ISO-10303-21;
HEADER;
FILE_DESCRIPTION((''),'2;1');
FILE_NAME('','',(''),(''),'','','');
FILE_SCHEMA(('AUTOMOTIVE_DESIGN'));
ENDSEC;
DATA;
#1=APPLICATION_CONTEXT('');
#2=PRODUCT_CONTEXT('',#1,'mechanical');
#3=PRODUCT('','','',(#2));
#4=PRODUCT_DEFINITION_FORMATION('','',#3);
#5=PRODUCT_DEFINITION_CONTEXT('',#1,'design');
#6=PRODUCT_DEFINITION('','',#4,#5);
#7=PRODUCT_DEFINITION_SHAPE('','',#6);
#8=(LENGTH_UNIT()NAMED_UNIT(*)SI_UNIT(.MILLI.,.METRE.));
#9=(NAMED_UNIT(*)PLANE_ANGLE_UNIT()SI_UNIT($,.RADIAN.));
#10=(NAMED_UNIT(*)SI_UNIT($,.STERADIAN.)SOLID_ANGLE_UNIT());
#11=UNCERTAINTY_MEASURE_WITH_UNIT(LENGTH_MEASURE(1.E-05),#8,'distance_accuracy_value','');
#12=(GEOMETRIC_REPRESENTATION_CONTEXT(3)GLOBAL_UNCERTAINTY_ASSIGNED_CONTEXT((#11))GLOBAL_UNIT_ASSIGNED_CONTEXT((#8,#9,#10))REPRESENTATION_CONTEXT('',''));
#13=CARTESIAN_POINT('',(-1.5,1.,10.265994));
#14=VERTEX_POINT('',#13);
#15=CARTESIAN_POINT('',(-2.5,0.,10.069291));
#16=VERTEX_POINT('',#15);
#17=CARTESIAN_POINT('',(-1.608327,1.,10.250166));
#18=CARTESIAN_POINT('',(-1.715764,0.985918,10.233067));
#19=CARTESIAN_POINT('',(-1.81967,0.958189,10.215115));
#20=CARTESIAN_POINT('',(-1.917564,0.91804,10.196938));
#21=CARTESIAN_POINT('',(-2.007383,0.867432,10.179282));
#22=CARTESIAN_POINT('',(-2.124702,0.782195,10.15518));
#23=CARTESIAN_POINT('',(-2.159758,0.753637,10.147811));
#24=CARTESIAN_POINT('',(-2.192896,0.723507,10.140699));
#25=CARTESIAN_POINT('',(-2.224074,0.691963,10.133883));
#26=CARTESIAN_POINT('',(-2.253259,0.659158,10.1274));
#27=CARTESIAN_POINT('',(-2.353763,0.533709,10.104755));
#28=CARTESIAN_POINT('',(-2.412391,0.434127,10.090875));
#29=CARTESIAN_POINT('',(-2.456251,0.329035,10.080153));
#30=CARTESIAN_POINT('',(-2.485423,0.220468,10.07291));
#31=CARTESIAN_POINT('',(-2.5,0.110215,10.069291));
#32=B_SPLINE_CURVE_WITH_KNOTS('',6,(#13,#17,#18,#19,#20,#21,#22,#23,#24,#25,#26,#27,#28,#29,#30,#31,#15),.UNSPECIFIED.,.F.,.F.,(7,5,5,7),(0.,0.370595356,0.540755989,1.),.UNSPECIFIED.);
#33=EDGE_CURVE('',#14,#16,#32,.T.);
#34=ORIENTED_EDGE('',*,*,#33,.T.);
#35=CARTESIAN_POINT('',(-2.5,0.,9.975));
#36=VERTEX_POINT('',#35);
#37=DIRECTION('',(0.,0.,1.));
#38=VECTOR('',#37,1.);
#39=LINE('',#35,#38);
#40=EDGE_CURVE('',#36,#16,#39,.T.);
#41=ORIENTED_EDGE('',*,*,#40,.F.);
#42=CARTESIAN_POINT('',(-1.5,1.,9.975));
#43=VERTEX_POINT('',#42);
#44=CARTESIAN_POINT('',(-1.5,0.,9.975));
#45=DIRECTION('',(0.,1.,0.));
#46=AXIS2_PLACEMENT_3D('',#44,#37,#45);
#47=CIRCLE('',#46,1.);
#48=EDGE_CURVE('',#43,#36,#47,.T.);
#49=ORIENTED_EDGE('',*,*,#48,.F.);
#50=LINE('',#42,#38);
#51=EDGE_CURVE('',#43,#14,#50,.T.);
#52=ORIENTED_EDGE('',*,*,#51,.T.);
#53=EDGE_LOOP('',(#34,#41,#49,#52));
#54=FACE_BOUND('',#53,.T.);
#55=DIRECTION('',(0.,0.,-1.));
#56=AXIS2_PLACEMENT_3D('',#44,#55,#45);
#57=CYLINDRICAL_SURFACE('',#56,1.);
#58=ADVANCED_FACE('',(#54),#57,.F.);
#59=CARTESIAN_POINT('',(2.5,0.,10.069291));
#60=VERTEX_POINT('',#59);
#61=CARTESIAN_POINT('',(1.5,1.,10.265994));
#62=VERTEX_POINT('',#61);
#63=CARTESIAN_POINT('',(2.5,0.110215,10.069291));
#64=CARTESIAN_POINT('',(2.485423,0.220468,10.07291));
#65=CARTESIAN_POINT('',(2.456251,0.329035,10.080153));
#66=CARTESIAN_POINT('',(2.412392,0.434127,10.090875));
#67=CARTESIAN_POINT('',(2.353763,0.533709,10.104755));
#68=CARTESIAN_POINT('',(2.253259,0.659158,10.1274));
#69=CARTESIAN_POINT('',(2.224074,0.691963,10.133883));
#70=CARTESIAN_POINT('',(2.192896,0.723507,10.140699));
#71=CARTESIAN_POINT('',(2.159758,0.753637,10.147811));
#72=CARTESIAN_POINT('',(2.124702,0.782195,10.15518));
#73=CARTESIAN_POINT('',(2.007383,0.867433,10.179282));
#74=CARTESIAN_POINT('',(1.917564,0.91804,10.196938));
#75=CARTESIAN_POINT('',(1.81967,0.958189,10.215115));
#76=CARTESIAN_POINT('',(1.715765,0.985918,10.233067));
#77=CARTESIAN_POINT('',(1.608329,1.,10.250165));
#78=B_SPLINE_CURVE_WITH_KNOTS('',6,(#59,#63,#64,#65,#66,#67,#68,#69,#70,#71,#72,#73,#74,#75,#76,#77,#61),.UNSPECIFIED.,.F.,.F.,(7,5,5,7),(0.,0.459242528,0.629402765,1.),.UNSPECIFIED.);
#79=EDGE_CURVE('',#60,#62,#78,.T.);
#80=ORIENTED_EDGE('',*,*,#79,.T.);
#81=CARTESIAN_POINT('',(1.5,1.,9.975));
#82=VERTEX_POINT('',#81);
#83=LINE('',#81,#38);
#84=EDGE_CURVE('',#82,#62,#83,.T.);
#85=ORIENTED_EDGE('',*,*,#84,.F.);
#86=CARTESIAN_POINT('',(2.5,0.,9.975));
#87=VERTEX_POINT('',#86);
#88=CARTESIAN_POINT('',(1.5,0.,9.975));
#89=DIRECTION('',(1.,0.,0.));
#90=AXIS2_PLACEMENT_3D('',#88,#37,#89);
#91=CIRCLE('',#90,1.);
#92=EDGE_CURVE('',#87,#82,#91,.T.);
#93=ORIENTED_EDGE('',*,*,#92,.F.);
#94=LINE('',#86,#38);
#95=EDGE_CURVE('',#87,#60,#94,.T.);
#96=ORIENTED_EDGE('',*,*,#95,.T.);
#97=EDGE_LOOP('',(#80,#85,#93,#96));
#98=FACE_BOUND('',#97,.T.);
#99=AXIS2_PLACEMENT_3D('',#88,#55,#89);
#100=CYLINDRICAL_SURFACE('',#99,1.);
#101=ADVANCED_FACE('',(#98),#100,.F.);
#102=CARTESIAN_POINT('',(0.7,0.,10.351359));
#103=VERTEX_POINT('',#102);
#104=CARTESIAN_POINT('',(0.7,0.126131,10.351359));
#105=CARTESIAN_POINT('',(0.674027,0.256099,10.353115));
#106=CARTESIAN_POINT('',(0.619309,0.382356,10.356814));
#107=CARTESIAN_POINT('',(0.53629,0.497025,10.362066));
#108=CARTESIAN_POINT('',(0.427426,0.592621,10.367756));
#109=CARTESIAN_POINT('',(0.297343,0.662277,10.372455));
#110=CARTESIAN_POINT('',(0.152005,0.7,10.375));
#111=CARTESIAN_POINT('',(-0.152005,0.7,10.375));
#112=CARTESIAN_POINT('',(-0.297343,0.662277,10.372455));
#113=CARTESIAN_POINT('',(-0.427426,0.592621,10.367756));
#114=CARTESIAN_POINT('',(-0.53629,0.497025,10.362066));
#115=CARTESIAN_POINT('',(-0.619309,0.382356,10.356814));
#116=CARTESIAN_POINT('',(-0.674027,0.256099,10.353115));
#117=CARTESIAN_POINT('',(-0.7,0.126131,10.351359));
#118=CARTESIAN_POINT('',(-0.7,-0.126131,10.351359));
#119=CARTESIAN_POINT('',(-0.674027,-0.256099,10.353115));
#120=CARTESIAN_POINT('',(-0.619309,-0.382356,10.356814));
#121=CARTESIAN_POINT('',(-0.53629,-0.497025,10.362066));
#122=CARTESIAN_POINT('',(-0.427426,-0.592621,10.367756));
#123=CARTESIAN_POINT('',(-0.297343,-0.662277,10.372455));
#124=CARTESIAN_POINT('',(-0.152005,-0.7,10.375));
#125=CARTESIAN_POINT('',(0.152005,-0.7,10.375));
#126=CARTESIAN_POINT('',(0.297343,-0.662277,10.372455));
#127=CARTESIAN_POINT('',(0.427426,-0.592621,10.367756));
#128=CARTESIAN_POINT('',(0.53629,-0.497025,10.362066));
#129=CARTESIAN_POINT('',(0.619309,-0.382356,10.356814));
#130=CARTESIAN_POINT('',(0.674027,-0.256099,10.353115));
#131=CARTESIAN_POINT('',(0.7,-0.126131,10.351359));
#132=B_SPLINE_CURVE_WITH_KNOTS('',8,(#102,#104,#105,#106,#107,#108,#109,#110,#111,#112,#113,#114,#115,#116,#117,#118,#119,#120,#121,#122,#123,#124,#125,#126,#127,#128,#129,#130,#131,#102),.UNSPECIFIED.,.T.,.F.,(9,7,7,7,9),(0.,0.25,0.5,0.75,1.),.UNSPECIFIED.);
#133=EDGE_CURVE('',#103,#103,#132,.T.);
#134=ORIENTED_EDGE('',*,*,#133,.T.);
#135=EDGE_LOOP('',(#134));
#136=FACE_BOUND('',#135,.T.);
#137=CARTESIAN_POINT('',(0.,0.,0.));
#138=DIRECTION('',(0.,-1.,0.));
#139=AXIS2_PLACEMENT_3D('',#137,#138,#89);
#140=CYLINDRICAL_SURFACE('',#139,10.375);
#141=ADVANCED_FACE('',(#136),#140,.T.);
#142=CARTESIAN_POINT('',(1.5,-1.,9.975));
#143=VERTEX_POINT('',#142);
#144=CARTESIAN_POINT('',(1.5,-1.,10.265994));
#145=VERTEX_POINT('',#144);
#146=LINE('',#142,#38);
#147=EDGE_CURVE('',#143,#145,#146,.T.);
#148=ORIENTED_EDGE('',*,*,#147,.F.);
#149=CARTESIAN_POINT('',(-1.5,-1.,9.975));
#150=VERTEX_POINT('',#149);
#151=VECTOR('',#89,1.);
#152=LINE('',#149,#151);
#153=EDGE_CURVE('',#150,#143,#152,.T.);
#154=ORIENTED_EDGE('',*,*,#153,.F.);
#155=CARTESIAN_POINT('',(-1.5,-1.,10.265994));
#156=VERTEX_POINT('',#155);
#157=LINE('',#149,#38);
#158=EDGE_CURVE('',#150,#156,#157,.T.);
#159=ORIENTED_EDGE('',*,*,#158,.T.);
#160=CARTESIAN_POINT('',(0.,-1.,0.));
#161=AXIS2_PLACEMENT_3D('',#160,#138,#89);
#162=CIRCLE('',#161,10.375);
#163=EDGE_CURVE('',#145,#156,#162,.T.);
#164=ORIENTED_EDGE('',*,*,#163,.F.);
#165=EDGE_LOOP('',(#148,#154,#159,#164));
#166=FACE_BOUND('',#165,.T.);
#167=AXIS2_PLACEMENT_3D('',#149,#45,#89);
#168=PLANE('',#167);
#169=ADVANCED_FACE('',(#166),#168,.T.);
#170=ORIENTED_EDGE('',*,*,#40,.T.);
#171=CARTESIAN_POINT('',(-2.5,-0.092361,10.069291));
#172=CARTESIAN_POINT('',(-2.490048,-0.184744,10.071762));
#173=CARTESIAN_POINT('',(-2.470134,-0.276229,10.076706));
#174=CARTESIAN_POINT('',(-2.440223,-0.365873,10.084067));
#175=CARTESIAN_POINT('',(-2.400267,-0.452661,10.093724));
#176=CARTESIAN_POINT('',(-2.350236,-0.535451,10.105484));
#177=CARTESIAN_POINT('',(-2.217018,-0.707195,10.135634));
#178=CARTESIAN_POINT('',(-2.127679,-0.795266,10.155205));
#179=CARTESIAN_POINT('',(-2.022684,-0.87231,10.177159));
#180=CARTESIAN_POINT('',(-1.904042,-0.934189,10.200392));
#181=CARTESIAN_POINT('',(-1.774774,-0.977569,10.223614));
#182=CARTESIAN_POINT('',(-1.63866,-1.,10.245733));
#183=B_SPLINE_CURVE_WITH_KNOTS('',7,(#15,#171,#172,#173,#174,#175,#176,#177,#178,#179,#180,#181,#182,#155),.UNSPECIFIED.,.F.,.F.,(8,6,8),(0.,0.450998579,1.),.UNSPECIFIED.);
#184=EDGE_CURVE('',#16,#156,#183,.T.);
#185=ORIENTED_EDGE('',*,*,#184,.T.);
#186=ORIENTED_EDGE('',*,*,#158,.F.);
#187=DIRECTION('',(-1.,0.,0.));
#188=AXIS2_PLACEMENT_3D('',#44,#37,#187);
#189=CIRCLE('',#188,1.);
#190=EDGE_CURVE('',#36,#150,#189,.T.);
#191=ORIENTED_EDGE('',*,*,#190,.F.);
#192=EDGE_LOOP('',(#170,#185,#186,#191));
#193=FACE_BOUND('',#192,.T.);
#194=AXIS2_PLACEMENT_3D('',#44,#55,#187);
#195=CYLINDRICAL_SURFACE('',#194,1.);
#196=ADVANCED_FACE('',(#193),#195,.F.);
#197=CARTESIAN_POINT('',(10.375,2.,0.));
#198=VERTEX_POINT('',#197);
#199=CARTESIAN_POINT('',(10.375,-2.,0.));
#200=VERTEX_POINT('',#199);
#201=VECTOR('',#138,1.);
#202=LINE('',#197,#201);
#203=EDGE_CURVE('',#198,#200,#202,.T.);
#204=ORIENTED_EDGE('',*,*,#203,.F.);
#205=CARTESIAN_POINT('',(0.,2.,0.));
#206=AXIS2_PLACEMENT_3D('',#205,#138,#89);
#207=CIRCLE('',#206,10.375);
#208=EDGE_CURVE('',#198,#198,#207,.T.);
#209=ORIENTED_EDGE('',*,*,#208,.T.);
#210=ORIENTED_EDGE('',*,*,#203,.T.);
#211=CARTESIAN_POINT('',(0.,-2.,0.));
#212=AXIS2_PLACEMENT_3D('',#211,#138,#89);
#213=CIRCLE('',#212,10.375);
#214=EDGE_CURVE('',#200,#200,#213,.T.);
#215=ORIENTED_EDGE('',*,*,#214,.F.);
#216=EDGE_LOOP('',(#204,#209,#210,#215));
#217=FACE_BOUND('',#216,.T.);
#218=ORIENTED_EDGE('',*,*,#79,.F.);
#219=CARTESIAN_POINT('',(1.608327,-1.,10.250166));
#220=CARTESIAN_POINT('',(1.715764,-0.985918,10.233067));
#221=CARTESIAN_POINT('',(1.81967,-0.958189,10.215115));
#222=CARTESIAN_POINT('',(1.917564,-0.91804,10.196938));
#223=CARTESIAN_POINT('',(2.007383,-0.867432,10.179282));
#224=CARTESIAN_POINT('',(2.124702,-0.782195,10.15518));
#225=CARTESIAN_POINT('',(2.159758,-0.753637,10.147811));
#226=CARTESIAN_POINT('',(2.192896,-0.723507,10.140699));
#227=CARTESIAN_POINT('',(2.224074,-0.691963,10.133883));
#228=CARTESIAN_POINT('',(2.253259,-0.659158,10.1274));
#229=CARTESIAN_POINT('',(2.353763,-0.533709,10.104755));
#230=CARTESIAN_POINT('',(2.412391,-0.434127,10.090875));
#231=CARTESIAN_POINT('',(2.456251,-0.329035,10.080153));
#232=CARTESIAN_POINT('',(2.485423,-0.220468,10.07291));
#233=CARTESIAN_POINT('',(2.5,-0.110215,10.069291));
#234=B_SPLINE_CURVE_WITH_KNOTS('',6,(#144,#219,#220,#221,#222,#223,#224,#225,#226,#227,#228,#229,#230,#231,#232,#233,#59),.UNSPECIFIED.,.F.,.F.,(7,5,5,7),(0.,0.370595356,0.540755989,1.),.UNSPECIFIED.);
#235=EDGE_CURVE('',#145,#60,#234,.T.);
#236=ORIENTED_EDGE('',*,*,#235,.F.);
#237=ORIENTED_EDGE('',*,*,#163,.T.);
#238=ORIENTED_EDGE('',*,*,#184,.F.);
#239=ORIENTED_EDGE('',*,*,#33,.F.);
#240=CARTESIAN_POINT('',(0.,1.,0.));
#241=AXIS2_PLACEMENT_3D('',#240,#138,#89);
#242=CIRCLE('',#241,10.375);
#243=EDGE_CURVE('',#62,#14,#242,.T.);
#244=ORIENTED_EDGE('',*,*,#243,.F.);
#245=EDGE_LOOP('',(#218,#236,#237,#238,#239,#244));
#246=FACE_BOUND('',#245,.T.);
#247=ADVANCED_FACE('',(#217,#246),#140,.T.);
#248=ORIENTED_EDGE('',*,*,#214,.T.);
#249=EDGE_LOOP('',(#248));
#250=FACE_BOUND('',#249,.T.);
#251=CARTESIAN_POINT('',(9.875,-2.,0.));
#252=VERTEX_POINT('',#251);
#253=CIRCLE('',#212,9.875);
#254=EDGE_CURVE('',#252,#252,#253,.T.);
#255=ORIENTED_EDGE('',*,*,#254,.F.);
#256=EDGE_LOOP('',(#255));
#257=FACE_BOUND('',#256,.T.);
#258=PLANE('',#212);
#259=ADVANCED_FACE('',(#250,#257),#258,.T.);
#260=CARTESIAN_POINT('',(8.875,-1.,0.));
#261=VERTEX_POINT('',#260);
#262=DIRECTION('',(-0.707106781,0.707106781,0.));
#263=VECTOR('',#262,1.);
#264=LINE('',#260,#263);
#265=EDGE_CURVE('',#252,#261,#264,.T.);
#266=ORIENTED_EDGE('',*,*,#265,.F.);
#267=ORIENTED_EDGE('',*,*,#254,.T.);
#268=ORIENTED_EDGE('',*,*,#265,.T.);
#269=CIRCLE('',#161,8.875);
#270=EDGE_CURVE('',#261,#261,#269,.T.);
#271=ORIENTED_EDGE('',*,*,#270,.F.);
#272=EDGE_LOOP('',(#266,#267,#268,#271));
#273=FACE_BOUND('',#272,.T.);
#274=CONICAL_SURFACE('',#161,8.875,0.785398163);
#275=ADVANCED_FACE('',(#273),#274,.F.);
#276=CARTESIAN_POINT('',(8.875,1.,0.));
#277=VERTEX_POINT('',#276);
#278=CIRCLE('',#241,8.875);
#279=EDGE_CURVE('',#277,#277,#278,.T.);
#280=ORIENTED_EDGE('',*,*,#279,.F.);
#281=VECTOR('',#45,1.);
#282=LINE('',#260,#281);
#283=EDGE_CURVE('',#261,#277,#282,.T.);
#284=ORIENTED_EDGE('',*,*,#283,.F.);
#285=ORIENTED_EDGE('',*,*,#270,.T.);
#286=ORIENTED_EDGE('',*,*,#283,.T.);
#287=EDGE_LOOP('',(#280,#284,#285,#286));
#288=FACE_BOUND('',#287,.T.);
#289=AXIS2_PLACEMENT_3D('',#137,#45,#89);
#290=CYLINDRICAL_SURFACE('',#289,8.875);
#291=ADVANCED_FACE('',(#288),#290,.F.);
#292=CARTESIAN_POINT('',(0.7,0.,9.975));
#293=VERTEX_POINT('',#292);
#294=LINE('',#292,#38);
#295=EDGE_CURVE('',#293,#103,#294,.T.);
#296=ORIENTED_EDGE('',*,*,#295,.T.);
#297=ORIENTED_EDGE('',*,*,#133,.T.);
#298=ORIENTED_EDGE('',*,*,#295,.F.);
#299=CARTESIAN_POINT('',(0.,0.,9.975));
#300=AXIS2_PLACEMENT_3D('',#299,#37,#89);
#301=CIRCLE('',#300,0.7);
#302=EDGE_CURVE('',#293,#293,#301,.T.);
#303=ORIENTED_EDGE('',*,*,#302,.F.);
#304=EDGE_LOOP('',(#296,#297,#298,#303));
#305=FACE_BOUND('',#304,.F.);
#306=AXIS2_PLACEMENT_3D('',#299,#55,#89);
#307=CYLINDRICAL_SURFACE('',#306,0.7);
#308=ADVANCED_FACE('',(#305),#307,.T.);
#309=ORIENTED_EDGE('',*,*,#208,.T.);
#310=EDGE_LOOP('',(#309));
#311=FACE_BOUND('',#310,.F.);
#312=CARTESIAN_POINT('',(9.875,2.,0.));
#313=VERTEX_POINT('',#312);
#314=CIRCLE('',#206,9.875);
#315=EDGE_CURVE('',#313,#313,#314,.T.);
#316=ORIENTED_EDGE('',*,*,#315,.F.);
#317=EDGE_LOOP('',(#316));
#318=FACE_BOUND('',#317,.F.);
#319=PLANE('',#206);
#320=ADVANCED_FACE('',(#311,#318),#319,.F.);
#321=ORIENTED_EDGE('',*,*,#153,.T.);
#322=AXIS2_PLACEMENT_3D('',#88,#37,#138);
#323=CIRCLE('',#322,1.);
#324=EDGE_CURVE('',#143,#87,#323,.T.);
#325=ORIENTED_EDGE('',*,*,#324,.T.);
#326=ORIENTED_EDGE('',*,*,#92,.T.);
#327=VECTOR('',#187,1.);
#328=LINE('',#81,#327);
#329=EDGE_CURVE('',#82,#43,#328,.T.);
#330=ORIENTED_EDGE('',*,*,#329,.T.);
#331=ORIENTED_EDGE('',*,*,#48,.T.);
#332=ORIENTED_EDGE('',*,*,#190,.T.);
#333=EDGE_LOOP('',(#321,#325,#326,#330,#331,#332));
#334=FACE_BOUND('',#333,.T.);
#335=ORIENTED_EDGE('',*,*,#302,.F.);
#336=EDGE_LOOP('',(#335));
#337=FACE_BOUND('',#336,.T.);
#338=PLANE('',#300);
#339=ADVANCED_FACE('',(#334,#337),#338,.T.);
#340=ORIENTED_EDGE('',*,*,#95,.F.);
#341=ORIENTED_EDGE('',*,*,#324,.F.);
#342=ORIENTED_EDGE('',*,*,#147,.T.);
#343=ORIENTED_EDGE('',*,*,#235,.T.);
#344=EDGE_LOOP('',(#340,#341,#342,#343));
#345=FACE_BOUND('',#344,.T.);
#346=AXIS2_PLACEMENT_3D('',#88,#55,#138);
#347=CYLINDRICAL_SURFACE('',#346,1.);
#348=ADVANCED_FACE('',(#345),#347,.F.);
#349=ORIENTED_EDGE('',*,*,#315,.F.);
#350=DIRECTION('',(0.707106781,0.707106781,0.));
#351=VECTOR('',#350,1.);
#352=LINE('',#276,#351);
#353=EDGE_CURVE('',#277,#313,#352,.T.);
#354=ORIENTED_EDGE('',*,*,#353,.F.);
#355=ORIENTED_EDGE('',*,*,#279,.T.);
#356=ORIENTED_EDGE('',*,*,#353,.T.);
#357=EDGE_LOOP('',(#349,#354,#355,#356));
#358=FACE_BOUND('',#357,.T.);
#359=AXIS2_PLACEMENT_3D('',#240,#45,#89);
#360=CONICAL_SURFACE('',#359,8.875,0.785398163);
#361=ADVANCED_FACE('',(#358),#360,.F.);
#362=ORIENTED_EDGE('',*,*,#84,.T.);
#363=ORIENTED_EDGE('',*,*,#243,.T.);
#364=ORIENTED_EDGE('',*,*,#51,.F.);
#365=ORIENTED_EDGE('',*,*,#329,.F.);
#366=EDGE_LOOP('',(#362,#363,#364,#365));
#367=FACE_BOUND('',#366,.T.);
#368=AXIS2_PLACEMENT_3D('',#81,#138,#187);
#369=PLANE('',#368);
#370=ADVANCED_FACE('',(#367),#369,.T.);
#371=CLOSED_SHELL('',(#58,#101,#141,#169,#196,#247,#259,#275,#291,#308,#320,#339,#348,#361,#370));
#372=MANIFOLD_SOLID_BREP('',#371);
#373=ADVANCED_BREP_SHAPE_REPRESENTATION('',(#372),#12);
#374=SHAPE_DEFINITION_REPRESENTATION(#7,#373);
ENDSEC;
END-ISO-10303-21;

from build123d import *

# Parameters (mm, degrees)
F0_R          = 10.375
F0_R_2        = 8.875
F1_DEPTH      = 2
F1_DEPTH_BACK = 2
F2_SIZE       = 1
F4_START      = 9.975
F3_R          = 0.7
F4_DEPTH      = 15.025


with BuildPart() as f1:
    # F0 (on Front) → F1 (new body, two sides)
    with BuildSketch(Plane.XZ) as f1_sk:
        Circle(F0_R)
        Circle(F0_R_2, mode=Mode.SUBTRACT)
    extrude(amount=F1_DEPTH)
    extrude(f1_sk.sketch, amount=-F1_DEPTH_BACK)

    # F2
    f2_edges = [f1.edges().sort_by_distance(p)[0] for p in [
        (-8.875, -2, 0),
        (-8.875, 2, 0),
    ]]
    chamfer(f2_edges, length=F2_SIZE)

    # F3 (on Top) → F4 (cut)
    with BuildSketch(Plane.XY.offset(F4_START)):
        with BuildLine():
            Line((-1.5, -1), (1.5, -1))
            ThreePointArc((1.5, -1), (2.2071067812, -0.7071067812), (2.5, 0))
            ThreePointArc((2.5, 0), (2.2071067812, 0.7071067812), (1.5, 1))
            Line((1.5, 1), (-1.5, 1))
            ThreePointArc((-1.5, 1), (-2.2071067812, 0.7071067812), (-2.5, 0))
            ThreePointArc((-2.5, 0), (-2.2071067812, -0.7071067812), (-1.5, -1))
        make_face()
        Circle(F3_R, mode=Mode.SUBTRACT)
    extrude(amount=F4_DEPTH, mode=Mode.SUBTRACT)


solid = f1.part
